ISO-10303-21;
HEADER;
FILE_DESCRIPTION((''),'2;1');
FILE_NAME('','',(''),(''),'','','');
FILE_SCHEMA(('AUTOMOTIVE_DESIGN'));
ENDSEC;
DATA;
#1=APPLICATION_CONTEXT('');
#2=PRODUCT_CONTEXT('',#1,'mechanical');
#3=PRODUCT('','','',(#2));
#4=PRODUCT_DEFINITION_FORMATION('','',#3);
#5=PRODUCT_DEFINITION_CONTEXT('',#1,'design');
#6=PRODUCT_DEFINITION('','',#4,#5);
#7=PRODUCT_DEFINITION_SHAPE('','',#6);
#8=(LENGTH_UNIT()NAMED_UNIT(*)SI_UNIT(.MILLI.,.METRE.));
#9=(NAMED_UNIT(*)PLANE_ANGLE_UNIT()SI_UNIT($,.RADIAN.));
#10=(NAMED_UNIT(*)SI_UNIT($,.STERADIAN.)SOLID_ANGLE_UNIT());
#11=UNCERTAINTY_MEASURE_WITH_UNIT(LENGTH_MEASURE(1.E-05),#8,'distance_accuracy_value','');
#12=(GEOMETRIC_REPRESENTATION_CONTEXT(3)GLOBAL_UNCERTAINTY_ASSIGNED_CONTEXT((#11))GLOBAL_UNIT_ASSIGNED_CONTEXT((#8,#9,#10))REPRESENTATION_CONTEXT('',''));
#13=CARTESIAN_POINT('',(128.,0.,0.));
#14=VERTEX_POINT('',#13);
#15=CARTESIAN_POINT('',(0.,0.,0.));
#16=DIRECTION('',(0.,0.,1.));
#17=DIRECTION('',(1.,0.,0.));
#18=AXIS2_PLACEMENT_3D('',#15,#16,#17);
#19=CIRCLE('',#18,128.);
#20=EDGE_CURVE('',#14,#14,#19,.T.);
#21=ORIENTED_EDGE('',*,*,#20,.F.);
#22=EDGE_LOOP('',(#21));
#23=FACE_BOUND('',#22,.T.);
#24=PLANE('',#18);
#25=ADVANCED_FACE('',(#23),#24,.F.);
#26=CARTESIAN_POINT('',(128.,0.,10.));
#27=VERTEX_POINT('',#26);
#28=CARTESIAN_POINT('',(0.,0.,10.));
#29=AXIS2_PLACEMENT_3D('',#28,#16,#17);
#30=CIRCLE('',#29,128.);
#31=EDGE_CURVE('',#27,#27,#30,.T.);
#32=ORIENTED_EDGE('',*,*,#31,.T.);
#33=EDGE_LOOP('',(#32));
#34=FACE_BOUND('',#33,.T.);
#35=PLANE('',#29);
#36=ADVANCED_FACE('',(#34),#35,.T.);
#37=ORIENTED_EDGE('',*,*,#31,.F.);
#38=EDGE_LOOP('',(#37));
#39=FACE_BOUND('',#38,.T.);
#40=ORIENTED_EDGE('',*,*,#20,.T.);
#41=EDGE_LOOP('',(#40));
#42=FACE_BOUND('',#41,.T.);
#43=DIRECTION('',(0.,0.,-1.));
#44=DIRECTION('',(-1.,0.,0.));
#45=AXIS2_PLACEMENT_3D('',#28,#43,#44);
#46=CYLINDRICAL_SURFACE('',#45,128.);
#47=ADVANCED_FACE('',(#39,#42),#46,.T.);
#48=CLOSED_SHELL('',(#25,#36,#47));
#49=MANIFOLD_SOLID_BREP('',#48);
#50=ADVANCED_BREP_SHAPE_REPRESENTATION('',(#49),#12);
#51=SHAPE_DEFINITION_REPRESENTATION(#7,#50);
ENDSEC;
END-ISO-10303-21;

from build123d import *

# Parameters (mm, degrees)
SKETCH1_R           = 128
BOSS_EXTRUDE1_DEPTH = 10


with BuildPart() as part:
    # Sketch1 → Boss-Extrude1 (new body)
    with BuildSketch(Plane.XY):
        Circle(SKETCH1_R)
    extrude(amount=BOSS_EXTRUDE1_DEPTH)


solid = part.part
